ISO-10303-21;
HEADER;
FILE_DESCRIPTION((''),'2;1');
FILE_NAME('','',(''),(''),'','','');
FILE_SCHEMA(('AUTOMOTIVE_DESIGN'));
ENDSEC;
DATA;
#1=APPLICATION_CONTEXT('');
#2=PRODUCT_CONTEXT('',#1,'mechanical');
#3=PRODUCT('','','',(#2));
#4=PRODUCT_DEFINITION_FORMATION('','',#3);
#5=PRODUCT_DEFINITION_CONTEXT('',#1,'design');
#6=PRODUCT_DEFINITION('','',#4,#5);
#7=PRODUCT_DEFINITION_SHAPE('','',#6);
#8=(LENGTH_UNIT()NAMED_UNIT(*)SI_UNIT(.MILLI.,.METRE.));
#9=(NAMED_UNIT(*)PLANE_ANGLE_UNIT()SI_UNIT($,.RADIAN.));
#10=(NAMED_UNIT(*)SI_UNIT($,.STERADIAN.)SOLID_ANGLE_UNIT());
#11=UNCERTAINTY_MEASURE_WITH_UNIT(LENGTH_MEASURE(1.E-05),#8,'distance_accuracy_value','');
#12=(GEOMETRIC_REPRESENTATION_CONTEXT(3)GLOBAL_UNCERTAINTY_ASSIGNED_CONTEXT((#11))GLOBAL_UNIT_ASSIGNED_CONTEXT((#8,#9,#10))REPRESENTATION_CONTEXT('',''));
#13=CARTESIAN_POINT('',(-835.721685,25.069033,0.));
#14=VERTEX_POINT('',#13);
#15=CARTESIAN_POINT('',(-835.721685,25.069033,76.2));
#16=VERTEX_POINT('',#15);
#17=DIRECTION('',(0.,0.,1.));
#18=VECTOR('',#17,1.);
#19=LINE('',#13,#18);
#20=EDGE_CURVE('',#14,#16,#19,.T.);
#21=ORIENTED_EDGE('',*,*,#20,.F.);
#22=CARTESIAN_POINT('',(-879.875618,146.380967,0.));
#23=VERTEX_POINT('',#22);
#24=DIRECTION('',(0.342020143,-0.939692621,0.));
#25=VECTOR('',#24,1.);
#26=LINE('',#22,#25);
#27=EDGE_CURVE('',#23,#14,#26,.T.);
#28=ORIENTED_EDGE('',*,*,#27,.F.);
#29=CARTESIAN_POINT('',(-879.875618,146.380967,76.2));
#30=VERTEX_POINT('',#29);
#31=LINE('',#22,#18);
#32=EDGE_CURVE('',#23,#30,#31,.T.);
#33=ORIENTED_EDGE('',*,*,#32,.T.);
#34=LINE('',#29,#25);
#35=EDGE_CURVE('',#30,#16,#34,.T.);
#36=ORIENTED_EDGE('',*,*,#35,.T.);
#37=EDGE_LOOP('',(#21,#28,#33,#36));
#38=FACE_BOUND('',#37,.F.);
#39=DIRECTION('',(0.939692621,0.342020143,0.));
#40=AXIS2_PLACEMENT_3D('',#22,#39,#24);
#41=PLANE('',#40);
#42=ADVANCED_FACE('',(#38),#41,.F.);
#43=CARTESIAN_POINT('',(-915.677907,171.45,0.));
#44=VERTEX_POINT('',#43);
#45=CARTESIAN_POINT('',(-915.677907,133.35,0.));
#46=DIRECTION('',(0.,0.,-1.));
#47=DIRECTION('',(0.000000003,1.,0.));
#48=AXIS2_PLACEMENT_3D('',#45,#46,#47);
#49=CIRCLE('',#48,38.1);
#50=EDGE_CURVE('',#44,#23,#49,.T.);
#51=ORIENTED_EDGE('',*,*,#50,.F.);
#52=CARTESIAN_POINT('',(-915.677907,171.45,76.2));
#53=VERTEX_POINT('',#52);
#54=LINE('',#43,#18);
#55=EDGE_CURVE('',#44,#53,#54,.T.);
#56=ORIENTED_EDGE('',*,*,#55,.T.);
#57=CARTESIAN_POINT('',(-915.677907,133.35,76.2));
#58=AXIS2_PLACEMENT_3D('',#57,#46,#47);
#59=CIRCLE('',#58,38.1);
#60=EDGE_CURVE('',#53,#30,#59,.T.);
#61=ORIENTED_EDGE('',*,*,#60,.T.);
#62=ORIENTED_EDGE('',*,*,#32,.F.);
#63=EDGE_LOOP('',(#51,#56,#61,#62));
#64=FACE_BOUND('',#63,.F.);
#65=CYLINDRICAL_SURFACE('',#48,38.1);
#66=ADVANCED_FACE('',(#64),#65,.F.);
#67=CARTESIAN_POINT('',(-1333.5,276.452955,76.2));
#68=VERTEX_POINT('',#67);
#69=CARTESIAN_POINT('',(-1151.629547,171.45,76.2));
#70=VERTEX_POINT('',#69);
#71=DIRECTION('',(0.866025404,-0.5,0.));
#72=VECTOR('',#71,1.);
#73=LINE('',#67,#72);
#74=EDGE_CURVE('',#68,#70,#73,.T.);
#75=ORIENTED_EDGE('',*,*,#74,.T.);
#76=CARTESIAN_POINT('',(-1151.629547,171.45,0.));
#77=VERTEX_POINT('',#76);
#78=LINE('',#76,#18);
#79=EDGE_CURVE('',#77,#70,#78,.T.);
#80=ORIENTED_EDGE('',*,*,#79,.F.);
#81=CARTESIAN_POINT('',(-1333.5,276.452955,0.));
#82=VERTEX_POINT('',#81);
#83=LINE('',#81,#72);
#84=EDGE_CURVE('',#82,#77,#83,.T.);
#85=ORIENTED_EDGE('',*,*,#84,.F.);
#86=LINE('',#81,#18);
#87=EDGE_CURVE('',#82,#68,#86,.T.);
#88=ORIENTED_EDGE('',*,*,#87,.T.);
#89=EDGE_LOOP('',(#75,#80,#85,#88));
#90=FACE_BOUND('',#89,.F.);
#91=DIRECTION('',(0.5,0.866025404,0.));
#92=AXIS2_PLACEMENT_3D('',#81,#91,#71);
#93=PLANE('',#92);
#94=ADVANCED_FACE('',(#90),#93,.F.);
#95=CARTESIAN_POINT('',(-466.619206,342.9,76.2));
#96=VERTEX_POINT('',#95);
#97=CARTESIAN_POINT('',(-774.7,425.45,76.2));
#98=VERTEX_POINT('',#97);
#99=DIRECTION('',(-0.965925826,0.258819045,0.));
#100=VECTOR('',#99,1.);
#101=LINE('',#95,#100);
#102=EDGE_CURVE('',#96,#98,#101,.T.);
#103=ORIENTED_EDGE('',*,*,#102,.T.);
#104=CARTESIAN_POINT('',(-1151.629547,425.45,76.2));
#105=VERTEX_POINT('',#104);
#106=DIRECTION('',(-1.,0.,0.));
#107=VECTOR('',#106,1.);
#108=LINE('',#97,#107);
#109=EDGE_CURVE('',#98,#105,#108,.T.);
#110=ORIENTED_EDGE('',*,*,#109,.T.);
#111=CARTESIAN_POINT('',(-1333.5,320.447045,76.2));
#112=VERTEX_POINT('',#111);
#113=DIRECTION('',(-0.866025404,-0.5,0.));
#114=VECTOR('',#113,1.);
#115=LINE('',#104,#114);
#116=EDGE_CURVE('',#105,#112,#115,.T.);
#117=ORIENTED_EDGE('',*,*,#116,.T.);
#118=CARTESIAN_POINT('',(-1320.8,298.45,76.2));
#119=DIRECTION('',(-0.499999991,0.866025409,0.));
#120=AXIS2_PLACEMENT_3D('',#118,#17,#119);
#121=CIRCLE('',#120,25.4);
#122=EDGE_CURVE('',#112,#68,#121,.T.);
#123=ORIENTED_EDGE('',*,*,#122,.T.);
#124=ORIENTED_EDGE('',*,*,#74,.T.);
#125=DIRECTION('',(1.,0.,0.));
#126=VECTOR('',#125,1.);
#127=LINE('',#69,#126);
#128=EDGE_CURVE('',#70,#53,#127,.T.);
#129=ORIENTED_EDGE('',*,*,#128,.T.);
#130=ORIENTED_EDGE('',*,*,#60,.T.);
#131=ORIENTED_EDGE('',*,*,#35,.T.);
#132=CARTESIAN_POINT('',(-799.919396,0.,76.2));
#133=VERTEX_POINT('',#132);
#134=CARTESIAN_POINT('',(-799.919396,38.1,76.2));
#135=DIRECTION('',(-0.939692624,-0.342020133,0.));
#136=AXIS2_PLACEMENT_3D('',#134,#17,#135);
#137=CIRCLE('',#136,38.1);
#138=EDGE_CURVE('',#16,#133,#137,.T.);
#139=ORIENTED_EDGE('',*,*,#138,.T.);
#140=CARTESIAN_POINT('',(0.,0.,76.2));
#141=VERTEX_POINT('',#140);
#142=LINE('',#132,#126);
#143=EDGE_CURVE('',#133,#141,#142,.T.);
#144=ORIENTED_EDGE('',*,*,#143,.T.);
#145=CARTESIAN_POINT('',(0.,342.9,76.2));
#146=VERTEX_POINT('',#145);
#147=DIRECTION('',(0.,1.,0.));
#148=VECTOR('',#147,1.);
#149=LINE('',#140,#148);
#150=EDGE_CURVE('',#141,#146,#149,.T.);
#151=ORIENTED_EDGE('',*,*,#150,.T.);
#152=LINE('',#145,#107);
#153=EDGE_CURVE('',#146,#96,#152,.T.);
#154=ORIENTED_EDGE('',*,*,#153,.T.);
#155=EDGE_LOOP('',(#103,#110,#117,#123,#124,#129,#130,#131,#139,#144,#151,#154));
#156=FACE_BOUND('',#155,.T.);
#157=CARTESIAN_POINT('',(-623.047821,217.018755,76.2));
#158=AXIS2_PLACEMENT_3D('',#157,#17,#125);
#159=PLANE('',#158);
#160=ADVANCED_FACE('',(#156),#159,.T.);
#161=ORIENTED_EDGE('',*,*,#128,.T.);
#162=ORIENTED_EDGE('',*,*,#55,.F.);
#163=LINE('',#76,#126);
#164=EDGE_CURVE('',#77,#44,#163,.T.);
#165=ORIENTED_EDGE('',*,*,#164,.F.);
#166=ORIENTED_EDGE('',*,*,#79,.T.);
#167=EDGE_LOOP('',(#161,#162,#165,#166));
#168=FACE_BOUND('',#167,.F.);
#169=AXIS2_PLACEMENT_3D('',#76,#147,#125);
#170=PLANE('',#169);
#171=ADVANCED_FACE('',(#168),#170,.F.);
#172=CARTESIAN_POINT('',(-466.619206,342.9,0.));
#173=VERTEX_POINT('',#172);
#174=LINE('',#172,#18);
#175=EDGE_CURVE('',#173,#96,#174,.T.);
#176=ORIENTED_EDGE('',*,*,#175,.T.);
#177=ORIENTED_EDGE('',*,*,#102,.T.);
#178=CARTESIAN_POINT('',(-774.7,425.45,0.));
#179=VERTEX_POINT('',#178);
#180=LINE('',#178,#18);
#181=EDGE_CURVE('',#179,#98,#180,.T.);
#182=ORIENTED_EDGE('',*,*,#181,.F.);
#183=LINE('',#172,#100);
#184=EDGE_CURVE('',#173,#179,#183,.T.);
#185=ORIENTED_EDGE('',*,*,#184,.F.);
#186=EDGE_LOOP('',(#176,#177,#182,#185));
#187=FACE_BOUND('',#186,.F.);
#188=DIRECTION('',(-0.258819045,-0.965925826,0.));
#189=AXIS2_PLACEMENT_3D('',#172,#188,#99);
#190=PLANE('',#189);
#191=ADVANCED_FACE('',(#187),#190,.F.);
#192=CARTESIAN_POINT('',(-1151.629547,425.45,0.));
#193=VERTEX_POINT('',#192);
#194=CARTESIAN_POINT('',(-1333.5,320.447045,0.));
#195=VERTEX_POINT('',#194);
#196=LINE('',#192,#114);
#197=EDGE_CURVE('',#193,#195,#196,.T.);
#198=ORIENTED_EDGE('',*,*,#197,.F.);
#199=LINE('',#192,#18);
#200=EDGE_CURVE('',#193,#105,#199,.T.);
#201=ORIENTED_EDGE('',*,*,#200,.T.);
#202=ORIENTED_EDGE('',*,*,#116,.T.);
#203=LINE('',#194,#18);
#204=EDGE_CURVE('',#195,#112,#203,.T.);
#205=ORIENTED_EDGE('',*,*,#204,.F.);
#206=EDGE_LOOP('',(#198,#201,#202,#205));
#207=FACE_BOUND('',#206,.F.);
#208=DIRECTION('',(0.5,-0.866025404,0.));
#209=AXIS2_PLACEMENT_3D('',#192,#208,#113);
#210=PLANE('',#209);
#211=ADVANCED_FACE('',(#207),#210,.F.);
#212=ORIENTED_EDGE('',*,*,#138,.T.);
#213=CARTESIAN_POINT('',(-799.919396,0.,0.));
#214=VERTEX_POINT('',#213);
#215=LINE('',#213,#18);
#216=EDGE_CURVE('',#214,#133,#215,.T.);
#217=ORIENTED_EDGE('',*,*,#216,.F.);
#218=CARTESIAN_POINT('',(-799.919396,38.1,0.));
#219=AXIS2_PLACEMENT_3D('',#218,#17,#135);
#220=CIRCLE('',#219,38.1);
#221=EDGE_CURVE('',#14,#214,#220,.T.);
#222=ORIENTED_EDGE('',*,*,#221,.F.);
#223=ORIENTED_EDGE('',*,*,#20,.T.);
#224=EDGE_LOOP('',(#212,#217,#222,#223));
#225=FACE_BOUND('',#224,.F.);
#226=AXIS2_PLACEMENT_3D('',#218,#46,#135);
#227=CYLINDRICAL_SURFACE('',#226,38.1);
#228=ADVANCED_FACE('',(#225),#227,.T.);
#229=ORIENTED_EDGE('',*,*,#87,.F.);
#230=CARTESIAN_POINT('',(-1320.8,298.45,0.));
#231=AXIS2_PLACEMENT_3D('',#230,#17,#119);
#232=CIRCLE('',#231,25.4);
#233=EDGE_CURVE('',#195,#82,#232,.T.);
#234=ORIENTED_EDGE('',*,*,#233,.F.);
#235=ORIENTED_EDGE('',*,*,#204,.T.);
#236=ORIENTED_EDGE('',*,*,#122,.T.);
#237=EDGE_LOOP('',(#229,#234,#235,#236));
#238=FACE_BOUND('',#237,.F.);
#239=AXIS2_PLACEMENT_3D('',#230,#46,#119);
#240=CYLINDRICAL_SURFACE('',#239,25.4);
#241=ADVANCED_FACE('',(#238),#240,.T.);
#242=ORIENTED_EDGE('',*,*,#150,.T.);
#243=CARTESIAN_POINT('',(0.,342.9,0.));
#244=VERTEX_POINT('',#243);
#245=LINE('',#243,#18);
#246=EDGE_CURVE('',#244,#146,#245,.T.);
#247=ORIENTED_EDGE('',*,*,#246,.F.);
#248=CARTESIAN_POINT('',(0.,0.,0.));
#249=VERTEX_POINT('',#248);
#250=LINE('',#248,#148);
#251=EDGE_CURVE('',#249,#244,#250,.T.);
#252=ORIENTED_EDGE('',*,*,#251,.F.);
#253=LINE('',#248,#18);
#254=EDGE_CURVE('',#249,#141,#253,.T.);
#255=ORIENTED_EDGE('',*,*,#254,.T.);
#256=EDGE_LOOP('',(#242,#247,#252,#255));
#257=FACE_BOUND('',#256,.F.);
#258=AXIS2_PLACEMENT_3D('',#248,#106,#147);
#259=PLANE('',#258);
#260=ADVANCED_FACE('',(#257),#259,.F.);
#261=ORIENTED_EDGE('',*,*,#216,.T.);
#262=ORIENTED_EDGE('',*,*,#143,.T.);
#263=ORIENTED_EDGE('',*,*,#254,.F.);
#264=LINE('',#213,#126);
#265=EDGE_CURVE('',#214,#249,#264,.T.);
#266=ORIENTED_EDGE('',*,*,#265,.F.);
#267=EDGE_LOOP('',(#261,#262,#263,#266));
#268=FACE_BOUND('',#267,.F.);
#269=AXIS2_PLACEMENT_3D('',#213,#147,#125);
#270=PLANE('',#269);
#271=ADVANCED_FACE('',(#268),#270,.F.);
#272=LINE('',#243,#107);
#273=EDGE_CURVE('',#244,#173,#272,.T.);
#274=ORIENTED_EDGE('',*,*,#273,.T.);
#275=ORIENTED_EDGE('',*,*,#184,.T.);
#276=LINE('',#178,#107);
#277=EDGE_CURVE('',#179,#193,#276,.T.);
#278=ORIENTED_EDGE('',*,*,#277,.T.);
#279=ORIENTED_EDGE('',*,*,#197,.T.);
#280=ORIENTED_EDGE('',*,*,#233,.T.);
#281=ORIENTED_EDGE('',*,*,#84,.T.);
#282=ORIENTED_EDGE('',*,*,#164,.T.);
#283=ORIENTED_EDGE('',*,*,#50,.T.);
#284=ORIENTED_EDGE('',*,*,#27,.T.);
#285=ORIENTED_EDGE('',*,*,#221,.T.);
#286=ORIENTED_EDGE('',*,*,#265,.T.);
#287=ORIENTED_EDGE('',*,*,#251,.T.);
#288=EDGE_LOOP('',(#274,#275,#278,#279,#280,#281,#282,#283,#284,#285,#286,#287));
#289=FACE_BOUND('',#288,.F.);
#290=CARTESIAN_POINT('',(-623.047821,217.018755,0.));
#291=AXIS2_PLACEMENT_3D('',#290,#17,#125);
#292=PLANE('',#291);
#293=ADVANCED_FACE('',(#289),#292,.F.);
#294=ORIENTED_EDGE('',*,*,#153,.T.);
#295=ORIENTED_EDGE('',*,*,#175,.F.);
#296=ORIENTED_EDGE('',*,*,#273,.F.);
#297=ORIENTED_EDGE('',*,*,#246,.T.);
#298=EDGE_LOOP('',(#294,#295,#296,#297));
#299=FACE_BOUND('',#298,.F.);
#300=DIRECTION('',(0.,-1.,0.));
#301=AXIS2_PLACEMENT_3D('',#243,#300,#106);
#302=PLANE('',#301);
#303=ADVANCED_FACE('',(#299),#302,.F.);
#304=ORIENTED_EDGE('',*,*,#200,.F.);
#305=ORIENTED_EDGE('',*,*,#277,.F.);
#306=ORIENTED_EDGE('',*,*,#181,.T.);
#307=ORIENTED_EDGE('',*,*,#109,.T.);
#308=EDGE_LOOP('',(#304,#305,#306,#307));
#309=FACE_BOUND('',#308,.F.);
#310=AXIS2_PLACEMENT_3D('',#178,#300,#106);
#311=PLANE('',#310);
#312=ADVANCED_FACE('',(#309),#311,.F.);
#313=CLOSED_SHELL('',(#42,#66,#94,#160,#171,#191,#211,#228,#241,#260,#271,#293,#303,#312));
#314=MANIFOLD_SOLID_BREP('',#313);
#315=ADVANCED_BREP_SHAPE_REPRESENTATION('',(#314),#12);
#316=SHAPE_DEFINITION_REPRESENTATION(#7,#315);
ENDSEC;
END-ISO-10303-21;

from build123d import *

# Parameters (mm, degrees)
F1_DEPTH = 76.2


with BuildPart() as f1:
    # F0 (on Top) → F1 (new body)
    with BuildSketch(Plane.XY):
        with BuildLine():
            Line((-799.919396, 0), (0, 0))
            Line((0, 0), (0, 342.9))
            Line((0, 342.9), (-466.619206, 342.9))
            Line((-466.619206, 342.9), (-774.7, 425.45))
            Line((-774.7, 425.45), (-1151.629547, 425.45))
            Line((-1151.629547, 425.45), (-1333.5, 320.447045))
            ThreePointArc((-1333.5, 320.447045), (-1346.2, 298.45), (-1333.5, 276.452955))
            Line((-1333.5, 276.452955), (-1151.629547, 171.45))
            Line((-1151.629547, 171.45), (-915.677907, 171.45))
            ThreePointArc((-915.677907, 171.45), (-893.824645, 164.559693), (-879.875618, 146.380967))
            Line((-879.875618, 146.380967), (-835.721685, 25.069033))
            ThreePointArc((-835.721685, 25.069033), (-821.772658, 6.890307), (-799.919396, 0))
        make_face()
    extrude(amount=F1_DEPTH)


solid = f1.part
